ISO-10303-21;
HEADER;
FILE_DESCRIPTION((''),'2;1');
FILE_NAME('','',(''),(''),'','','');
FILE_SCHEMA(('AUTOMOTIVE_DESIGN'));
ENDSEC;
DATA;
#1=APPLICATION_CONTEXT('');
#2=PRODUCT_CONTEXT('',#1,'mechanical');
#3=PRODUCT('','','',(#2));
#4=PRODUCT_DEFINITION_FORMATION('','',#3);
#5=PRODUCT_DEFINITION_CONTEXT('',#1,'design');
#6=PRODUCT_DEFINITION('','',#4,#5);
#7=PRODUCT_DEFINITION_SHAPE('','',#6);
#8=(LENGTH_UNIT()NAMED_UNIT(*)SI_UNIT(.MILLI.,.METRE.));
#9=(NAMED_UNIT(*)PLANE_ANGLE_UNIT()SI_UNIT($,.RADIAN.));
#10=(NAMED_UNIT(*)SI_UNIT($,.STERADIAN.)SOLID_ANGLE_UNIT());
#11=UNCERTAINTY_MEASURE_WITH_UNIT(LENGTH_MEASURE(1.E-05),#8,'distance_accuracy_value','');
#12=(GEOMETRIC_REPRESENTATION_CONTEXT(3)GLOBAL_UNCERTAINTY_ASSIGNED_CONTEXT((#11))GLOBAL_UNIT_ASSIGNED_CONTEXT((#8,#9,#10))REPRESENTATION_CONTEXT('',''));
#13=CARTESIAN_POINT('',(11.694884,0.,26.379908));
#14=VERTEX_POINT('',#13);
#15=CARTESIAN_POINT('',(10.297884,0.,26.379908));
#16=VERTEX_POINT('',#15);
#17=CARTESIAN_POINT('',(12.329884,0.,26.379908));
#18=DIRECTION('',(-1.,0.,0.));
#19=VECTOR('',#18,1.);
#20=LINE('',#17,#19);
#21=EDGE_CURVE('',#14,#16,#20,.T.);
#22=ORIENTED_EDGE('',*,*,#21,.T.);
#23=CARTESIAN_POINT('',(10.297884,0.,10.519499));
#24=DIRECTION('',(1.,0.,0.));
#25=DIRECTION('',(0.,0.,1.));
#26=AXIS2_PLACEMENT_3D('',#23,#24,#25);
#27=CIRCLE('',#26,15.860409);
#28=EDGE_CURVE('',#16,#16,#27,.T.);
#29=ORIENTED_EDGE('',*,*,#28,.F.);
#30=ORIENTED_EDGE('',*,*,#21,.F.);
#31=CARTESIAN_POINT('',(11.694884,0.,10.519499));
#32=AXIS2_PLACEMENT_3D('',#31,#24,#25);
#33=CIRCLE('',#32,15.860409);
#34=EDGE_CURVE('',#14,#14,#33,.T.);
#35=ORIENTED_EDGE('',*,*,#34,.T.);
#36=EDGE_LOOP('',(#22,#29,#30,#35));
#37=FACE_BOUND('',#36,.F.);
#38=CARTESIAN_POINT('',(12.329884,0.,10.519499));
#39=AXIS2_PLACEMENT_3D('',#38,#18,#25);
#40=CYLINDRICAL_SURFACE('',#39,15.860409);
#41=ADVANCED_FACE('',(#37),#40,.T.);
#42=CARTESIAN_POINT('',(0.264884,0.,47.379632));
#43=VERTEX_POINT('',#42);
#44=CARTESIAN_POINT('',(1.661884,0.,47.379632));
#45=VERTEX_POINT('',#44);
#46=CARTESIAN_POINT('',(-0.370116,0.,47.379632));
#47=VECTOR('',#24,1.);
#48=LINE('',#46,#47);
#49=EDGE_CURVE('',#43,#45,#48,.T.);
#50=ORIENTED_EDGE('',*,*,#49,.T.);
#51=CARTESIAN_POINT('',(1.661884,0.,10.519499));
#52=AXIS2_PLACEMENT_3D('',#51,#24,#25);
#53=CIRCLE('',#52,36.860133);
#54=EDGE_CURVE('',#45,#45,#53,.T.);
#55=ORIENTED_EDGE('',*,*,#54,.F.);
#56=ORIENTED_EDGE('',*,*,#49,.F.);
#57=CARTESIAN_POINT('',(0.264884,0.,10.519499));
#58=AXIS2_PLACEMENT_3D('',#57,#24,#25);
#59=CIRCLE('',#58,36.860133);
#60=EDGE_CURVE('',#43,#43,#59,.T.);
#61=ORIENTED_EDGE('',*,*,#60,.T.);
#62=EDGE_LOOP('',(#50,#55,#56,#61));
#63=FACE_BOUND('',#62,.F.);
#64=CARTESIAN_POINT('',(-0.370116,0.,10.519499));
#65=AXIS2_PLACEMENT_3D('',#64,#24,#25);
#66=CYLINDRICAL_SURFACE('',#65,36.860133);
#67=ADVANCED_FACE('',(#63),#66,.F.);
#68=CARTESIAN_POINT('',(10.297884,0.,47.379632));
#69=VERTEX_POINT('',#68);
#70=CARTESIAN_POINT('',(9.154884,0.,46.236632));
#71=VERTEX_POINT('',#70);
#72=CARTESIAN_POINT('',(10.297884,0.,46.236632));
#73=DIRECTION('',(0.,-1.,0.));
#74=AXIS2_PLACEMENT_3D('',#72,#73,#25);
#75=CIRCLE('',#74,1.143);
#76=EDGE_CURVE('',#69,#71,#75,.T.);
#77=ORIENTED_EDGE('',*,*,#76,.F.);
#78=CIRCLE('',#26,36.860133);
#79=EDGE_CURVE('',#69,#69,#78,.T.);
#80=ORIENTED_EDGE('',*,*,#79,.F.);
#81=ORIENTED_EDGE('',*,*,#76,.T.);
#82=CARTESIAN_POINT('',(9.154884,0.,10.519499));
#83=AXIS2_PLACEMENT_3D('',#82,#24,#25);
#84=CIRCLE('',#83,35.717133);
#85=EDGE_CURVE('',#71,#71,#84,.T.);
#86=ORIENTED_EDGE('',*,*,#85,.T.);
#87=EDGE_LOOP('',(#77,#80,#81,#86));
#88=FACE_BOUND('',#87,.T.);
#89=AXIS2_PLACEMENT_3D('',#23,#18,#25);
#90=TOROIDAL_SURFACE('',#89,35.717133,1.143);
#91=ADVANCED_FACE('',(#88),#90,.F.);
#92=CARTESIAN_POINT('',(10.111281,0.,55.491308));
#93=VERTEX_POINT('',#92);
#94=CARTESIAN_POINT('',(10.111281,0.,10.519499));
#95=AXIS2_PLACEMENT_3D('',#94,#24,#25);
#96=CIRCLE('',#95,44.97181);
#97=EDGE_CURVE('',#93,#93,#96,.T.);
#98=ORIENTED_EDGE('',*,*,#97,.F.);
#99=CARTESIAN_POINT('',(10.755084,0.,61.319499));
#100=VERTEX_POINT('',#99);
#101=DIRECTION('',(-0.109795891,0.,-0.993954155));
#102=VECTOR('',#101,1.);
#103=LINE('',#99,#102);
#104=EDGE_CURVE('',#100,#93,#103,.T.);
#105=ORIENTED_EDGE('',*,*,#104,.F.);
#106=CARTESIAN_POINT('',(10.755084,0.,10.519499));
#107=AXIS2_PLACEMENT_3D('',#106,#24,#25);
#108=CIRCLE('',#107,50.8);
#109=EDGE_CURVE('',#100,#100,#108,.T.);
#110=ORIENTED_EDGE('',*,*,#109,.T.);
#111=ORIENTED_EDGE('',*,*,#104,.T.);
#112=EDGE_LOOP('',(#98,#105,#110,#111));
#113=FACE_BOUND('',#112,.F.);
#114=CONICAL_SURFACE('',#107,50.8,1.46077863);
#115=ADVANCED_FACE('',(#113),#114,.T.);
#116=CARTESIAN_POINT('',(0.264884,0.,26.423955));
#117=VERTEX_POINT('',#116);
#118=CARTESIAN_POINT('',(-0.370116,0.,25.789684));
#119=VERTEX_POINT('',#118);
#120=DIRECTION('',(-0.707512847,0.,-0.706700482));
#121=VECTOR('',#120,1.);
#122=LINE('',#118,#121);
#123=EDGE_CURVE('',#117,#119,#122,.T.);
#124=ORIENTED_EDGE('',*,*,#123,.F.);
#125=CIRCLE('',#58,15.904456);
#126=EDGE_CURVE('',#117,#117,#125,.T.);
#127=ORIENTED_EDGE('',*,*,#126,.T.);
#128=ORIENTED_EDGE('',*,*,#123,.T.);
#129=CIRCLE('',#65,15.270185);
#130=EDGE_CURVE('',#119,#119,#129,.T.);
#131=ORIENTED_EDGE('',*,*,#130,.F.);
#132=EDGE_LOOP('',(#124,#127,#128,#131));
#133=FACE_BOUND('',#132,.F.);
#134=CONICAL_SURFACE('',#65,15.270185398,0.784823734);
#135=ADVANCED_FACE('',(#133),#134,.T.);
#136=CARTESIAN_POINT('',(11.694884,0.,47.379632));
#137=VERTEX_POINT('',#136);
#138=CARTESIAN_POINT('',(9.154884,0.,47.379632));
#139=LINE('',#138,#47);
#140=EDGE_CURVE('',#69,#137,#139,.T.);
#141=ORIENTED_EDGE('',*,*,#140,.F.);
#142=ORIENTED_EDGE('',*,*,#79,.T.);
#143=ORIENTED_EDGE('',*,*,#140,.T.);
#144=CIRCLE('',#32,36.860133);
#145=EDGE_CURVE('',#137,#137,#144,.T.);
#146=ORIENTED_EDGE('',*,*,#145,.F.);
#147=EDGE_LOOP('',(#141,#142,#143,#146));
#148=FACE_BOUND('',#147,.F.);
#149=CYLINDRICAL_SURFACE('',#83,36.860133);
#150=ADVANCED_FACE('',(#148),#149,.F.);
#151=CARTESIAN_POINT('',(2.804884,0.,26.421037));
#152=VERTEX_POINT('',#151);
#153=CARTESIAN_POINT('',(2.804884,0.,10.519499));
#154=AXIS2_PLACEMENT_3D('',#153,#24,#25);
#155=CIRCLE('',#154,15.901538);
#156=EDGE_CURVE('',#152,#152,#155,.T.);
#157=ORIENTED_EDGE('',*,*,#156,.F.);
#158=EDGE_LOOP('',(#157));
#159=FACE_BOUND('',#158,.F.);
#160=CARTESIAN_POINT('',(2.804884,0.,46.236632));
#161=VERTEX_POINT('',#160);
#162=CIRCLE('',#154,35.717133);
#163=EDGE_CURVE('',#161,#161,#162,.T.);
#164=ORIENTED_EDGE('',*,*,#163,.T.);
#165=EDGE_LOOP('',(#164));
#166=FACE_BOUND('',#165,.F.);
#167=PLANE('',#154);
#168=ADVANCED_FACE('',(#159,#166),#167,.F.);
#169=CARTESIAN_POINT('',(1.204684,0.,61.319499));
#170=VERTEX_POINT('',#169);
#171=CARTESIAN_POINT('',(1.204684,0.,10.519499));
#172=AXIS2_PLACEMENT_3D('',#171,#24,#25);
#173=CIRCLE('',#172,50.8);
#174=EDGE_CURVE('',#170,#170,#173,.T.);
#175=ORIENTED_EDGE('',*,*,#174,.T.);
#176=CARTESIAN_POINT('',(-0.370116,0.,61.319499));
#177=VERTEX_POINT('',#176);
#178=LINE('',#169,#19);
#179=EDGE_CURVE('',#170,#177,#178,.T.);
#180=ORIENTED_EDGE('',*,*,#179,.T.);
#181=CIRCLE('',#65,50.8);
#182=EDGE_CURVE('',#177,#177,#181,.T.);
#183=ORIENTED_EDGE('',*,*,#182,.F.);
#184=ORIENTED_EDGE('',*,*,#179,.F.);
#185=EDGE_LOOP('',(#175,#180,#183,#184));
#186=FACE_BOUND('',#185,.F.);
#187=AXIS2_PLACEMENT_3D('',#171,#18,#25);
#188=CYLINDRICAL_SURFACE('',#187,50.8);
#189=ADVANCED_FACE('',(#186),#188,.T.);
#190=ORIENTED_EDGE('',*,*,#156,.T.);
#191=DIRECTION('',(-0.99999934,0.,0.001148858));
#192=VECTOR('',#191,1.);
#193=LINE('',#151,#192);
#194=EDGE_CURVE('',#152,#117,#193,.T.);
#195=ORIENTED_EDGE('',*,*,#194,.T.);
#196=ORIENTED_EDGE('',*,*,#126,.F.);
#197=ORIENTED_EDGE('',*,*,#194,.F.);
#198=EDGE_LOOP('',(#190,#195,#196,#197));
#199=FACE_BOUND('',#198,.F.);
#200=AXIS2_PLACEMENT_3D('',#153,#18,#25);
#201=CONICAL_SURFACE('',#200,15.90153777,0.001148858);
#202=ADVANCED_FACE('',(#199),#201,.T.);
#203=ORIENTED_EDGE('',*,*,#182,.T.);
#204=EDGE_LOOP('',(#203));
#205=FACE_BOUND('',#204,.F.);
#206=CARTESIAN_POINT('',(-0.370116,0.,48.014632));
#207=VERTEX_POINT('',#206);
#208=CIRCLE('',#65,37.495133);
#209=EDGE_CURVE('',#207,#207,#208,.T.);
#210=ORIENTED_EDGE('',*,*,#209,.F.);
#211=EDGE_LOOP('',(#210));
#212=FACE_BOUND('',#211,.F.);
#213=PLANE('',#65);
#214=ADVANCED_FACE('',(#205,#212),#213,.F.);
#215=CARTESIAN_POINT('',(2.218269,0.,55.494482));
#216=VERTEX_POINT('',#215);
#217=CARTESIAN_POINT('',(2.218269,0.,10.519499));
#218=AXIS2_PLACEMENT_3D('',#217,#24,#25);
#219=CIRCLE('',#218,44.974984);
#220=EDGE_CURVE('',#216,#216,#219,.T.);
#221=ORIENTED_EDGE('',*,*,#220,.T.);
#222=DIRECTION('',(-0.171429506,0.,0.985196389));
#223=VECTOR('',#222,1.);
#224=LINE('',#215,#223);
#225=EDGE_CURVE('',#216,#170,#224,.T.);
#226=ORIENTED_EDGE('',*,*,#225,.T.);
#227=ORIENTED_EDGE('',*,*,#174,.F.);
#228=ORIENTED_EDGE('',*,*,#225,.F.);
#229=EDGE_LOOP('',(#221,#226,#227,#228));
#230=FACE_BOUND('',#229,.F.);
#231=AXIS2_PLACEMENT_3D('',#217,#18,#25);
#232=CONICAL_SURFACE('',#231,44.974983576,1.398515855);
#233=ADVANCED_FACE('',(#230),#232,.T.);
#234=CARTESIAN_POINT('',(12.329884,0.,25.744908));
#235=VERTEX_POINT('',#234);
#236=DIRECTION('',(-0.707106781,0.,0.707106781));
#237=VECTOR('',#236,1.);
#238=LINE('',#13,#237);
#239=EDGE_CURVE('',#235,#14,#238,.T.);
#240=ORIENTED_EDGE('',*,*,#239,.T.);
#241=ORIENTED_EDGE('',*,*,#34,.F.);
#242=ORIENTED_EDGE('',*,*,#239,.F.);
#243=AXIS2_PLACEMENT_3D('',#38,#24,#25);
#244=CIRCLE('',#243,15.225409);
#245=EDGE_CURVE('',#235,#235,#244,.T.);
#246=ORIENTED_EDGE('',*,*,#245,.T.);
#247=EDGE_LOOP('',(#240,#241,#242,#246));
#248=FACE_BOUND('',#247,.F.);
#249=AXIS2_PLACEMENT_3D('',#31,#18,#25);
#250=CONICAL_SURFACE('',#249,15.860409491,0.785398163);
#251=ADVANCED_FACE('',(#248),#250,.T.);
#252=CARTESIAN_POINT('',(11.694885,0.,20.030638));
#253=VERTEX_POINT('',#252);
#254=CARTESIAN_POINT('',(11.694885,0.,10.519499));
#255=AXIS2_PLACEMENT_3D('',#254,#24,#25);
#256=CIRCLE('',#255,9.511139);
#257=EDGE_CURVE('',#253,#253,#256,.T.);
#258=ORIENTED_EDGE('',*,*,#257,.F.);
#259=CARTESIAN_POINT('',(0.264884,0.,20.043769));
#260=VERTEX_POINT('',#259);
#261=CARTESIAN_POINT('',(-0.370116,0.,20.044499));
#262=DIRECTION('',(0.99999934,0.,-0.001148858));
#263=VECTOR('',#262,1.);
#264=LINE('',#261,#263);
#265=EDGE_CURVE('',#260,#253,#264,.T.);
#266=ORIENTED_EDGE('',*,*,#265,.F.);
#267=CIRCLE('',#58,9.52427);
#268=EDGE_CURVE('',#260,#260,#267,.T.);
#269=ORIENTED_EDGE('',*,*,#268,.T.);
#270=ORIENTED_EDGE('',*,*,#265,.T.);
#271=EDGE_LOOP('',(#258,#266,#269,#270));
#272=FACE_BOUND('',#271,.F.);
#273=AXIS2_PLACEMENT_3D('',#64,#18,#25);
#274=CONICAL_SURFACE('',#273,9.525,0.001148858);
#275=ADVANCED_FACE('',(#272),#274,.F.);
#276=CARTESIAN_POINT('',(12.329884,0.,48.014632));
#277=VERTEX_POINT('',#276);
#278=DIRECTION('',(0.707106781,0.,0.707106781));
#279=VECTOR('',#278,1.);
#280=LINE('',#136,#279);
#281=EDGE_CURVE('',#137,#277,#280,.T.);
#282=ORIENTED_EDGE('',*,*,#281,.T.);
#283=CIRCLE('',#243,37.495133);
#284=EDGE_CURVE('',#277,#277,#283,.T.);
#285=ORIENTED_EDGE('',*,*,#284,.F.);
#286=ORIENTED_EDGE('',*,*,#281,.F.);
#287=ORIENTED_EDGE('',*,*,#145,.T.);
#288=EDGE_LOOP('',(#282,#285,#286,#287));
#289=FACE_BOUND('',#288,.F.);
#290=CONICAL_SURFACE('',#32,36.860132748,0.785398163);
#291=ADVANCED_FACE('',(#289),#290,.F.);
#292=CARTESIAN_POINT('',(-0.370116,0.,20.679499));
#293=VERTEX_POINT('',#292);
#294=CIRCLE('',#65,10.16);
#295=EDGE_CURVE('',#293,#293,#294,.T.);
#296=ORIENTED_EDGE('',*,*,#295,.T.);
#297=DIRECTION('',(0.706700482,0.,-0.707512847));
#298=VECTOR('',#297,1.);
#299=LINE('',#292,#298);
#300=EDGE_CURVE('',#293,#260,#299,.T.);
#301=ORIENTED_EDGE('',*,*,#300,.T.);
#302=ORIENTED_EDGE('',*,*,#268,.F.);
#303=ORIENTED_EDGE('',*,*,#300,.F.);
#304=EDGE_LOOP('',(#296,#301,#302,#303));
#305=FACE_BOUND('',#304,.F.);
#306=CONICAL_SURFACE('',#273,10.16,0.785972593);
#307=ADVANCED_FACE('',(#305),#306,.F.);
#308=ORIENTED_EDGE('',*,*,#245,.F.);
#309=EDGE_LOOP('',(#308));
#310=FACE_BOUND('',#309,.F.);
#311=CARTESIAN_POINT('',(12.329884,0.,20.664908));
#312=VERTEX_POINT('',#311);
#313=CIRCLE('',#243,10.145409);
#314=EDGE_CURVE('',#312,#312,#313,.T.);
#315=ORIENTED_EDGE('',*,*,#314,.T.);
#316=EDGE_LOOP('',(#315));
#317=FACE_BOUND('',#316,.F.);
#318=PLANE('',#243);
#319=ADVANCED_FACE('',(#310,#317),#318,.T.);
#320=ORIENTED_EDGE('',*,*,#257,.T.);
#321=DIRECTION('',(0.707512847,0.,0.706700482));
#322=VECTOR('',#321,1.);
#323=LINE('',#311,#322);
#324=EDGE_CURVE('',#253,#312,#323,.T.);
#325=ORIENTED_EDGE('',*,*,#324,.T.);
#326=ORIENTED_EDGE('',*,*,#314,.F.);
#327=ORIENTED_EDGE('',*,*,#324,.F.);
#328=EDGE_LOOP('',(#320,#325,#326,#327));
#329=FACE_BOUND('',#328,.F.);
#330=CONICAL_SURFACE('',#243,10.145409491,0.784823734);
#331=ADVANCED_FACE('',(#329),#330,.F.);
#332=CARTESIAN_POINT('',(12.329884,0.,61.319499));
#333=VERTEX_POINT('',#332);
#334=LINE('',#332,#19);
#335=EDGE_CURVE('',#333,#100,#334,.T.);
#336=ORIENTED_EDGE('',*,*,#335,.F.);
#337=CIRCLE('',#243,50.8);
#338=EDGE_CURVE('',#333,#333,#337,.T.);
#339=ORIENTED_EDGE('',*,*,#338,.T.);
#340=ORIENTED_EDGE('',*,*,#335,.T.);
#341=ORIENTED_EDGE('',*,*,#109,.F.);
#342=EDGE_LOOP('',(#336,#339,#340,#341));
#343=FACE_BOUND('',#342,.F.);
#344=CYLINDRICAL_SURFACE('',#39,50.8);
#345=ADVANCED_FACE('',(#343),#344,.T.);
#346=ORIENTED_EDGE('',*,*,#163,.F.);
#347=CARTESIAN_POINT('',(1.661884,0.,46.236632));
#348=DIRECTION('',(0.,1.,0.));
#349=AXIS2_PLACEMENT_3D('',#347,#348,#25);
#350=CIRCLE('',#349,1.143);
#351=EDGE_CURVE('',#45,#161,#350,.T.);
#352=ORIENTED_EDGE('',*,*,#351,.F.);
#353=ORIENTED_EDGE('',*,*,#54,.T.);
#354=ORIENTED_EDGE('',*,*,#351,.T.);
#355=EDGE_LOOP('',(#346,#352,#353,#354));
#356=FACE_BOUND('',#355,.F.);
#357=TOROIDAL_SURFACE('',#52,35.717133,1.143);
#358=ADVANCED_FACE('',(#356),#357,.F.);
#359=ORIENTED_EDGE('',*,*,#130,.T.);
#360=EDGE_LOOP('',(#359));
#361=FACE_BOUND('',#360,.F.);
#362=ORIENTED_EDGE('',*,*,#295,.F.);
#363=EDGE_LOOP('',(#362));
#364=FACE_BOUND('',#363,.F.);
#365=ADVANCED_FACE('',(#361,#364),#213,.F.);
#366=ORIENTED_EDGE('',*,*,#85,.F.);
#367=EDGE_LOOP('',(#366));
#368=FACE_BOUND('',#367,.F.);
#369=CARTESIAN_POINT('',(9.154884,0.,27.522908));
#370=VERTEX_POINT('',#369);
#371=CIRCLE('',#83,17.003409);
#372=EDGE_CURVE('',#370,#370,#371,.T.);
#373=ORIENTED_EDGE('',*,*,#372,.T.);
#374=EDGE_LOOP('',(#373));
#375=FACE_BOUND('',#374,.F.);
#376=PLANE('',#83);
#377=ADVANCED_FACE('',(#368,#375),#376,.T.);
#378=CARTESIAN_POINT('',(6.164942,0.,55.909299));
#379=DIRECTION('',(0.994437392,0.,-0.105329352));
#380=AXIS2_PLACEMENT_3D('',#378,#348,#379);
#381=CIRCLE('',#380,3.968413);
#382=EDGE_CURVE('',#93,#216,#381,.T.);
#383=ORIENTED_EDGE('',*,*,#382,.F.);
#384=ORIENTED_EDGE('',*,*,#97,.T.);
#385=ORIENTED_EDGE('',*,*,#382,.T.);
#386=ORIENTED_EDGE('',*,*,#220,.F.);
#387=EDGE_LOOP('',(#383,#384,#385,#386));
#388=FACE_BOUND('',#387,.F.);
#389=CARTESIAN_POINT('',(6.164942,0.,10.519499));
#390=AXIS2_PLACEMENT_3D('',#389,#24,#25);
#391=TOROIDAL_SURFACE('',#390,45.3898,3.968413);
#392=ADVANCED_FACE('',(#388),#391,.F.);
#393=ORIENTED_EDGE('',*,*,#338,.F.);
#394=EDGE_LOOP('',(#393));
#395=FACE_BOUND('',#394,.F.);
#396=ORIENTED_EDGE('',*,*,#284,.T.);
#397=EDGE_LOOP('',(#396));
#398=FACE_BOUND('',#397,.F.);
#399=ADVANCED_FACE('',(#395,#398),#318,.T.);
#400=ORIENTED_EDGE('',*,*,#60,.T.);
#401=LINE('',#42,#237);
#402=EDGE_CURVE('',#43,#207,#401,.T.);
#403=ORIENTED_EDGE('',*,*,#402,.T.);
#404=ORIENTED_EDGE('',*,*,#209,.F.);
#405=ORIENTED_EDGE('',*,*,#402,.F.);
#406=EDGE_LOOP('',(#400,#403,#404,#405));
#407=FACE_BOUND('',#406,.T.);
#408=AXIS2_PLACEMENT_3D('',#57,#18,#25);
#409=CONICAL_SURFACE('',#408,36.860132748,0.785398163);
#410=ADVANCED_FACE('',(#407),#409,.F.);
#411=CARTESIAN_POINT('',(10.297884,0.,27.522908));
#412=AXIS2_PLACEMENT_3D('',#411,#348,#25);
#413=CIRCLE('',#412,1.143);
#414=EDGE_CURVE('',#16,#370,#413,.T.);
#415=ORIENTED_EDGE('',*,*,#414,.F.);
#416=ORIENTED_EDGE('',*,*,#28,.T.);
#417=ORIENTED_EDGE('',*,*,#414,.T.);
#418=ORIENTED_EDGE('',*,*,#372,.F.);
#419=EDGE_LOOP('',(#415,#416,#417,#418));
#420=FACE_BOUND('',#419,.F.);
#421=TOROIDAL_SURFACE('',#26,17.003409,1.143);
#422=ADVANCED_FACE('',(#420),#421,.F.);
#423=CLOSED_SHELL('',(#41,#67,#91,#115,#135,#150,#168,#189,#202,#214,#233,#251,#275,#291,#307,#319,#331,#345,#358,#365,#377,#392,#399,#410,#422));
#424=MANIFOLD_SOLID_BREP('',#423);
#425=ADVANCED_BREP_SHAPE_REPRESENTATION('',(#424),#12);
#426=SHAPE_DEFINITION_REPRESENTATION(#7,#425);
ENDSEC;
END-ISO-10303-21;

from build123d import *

# Parameters (mm, degrees)
F2_SIZE = 0.635
F3_R    = 1.143


with BuildPart() as f1:
    # F0 (on Front) → F1 (revolve)
    with BuildSketch(Plane.XZ):
        with BuildLine():
            Line((-0.370115592, 47.3796315491), (2.804884408, 47.3796315491))
            Line((2.804884408, 47.3796315491), (2.804884408, 26.4210365713))
            Line((2.804884408, 26.4210365713), (-0.370115592, 26.4246841986))
            Line((-0.370115592, 26.4246841986), (-0.370115592, 20.0444988011))
            Line((-0.370115592, 20.0444988011), (12.329884408, 20.0299082918))
            Line((12.329884408, 20.0299082918), (12.329884408, 26.3799082918))
            Line((12.329884408, 26.3799082918), (9.154884408, 26.3799082918))
            Line((9.154884408, 26.3799082918), (9.154884408, 47.3796315491))
            Line((9.154884408, 47.3796315491), (12.329884408, 47.3796315491))
            Line((12.329884408, 47.3796315491), (12.329884408, 61.3194988011))
            Line((12.329884408, 61.3194988011), (10.755084408, 61.3194988011))
            Line((10.755084408, 61.3194988011), (10.1112807135, 55.4913084055))
            ThreePointArc((10.1112807135, 55.4913084055), (6.1633464087, 51.9408858871), (2.2182688026, 55.4944823773))
            Line((2.2182688026, 55.4944823773), (1.204684408, 61.3194988011))
            Line((1.204684408, 61.3194988011), (-0.370115592, 61.3194988011))
            Line((-0.370115592, 61.3194988011), (-0.370115592, 47.3796315491))
        make_face()
    revolve(axis=Axis((7.6398788951, 0, 10.5194988011), (1, 0, 0)))

    # F2
    f2_edges = [f1.edges().sort_by_distance(p)[0] for p in [
        (12.329884, 0, -26.340634),
        (12.329884, 0, -5.340911),
        (12.329884, 0, 1.009089),
        (-0.370116, 0, 0.994499),
        (-0.370116, 0, -5.385687),
        (-0.370116, 0, -26.340634),
    ]]
    chamfer(f2_edges, length=F2_SIZE)

    # F3
    f3_edges = [f1.edges().sort_by_distance(p)[0] for p in [
        (2.804884, 0, -26.340634),
        (9.154884, 0, -26.340634),
        (9.154884, 0, -5.340911),
    ]]
    fillet(f3_edges, radius=F3_R)


solid = f1.part
